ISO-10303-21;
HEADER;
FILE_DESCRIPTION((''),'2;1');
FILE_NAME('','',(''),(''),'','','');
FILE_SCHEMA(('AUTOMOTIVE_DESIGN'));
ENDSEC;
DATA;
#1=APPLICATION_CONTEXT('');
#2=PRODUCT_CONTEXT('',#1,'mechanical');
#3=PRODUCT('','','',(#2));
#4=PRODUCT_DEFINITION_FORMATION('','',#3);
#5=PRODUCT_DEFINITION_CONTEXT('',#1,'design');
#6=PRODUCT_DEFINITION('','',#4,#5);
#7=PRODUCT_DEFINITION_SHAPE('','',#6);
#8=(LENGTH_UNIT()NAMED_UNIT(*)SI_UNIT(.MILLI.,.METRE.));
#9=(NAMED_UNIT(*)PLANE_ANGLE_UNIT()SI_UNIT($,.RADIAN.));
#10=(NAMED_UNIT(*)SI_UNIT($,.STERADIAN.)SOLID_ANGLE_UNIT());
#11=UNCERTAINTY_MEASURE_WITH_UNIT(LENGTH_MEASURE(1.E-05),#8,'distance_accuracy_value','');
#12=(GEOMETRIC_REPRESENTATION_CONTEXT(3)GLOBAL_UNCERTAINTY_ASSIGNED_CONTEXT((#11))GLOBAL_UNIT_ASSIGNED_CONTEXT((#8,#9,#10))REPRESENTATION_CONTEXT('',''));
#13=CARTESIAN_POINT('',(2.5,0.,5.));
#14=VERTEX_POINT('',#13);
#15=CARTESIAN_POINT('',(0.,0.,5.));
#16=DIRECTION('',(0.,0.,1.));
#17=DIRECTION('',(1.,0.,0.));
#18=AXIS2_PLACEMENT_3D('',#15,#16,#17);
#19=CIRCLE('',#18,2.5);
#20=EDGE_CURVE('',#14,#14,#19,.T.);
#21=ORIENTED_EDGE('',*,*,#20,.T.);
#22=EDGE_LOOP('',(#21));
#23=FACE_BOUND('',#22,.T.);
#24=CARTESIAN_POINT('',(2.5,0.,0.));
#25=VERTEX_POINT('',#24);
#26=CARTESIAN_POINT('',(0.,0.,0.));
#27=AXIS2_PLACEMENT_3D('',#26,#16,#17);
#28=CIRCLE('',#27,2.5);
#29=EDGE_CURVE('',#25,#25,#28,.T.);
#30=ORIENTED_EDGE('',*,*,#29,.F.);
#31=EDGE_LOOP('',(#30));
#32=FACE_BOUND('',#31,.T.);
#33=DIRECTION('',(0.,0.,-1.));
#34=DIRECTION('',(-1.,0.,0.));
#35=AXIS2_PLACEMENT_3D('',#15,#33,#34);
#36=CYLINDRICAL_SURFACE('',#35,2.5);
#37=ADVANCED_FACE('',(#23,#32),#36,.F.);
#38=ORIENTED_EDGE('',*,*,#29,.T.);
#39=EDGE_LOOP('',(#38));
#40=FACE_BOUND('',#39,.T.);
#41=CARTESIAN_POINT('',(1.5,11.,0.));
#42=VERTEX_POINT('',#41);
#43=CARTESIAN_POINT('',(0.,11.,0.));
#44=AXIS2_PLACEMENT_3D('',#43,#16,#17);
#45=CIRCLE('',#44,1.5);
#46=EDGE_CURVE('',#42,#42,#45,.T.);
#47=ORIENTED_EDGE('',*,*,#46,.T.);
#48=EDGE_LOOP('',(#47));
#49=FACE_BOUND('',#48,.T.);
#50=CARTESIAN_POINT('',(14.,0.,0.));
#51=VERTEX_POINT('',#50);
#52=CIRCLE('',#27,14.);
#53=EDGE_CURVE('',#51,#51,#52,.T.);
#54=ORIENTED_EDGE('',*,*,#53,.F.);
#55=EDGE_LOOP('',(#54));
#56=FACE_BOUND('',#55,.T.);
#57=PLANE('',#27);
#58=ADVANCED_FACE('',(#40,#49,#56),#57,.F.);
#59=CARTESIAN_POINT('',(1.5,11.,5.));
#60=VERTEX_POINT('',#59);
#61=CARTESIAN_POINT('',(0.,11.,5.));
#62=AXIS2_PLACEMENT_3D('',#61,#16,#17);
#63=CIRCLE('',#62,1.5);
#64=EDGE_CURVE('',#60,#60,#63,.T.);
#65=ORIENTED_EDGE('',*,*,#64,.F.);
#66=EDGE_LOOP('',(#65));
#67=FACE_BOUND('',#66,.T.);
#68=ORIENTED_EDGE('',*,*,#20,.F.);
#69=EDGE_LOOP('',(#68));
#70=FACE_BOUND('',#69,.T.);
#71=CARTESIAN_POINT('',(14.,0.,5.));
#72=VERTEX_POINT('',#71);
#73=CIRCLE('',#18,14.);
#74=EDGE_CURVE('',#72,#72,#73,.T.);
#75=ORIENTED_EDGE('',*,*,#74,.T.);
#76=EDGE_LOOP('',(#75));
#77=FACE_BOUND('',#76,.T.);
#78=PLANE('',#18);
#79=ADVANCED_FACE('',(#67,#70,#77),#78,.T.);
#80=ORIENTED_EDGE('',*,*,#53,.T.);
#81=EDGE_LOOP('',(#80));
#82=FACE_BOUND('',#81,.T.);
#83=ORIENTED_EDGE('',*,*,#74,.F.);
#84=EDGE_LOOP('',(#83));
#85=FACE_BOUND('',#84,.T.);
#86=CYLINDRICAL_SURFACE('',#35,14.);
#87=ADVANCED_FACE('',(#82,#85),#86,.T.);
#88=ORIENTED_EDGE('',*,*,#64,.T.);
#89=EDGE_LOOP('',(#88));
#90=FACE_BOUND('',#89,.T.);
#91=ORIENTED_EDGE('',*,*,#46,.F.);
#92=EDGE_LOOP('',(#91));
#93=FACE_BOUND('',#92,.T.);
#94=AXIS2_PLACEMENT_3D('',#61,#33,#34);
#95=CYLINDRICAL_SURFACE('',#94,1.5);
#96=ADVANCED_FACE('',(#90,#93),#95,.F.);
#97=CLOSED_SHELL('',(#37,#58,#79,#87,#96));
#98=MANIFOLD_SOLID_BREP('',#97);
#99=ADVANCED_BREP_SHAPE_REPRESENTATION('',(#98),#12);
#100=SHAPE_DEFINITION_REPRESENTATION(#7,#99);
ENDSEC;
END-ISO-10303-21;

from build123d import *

# Parameters (mm, degrees)
SKETCH1_R           = 14
BOSS_EXTRUDE1_DEPTH = 5
SKETCH2_R           = 1.5
SKETCH2_R_2         = 2.5
CUT_EXTRUDE1_DEPTH  = 21.420577857


with BuildPart() as part:
    # Sketch1 → Boss-Extrude1 (new body)
    with BuildSketch(Plane.XY):
        Circle(SKETCH1_R)
    extrude(amount=BOSS_EXTRUDE1_DEPTH)

    # Sketch2 → Cut-Extrude1 (cut, through all)
    with BuildSketch(Plane.XY):
        with Locations((0, 11)):
            Circle(SKETCH2_R)
        Circle(SKETCH2_R_2)
    extrude(amount=CUT_EXTRUDE1_DEPTH, mode=Mode.SUBTRACT)


solid = part.part
